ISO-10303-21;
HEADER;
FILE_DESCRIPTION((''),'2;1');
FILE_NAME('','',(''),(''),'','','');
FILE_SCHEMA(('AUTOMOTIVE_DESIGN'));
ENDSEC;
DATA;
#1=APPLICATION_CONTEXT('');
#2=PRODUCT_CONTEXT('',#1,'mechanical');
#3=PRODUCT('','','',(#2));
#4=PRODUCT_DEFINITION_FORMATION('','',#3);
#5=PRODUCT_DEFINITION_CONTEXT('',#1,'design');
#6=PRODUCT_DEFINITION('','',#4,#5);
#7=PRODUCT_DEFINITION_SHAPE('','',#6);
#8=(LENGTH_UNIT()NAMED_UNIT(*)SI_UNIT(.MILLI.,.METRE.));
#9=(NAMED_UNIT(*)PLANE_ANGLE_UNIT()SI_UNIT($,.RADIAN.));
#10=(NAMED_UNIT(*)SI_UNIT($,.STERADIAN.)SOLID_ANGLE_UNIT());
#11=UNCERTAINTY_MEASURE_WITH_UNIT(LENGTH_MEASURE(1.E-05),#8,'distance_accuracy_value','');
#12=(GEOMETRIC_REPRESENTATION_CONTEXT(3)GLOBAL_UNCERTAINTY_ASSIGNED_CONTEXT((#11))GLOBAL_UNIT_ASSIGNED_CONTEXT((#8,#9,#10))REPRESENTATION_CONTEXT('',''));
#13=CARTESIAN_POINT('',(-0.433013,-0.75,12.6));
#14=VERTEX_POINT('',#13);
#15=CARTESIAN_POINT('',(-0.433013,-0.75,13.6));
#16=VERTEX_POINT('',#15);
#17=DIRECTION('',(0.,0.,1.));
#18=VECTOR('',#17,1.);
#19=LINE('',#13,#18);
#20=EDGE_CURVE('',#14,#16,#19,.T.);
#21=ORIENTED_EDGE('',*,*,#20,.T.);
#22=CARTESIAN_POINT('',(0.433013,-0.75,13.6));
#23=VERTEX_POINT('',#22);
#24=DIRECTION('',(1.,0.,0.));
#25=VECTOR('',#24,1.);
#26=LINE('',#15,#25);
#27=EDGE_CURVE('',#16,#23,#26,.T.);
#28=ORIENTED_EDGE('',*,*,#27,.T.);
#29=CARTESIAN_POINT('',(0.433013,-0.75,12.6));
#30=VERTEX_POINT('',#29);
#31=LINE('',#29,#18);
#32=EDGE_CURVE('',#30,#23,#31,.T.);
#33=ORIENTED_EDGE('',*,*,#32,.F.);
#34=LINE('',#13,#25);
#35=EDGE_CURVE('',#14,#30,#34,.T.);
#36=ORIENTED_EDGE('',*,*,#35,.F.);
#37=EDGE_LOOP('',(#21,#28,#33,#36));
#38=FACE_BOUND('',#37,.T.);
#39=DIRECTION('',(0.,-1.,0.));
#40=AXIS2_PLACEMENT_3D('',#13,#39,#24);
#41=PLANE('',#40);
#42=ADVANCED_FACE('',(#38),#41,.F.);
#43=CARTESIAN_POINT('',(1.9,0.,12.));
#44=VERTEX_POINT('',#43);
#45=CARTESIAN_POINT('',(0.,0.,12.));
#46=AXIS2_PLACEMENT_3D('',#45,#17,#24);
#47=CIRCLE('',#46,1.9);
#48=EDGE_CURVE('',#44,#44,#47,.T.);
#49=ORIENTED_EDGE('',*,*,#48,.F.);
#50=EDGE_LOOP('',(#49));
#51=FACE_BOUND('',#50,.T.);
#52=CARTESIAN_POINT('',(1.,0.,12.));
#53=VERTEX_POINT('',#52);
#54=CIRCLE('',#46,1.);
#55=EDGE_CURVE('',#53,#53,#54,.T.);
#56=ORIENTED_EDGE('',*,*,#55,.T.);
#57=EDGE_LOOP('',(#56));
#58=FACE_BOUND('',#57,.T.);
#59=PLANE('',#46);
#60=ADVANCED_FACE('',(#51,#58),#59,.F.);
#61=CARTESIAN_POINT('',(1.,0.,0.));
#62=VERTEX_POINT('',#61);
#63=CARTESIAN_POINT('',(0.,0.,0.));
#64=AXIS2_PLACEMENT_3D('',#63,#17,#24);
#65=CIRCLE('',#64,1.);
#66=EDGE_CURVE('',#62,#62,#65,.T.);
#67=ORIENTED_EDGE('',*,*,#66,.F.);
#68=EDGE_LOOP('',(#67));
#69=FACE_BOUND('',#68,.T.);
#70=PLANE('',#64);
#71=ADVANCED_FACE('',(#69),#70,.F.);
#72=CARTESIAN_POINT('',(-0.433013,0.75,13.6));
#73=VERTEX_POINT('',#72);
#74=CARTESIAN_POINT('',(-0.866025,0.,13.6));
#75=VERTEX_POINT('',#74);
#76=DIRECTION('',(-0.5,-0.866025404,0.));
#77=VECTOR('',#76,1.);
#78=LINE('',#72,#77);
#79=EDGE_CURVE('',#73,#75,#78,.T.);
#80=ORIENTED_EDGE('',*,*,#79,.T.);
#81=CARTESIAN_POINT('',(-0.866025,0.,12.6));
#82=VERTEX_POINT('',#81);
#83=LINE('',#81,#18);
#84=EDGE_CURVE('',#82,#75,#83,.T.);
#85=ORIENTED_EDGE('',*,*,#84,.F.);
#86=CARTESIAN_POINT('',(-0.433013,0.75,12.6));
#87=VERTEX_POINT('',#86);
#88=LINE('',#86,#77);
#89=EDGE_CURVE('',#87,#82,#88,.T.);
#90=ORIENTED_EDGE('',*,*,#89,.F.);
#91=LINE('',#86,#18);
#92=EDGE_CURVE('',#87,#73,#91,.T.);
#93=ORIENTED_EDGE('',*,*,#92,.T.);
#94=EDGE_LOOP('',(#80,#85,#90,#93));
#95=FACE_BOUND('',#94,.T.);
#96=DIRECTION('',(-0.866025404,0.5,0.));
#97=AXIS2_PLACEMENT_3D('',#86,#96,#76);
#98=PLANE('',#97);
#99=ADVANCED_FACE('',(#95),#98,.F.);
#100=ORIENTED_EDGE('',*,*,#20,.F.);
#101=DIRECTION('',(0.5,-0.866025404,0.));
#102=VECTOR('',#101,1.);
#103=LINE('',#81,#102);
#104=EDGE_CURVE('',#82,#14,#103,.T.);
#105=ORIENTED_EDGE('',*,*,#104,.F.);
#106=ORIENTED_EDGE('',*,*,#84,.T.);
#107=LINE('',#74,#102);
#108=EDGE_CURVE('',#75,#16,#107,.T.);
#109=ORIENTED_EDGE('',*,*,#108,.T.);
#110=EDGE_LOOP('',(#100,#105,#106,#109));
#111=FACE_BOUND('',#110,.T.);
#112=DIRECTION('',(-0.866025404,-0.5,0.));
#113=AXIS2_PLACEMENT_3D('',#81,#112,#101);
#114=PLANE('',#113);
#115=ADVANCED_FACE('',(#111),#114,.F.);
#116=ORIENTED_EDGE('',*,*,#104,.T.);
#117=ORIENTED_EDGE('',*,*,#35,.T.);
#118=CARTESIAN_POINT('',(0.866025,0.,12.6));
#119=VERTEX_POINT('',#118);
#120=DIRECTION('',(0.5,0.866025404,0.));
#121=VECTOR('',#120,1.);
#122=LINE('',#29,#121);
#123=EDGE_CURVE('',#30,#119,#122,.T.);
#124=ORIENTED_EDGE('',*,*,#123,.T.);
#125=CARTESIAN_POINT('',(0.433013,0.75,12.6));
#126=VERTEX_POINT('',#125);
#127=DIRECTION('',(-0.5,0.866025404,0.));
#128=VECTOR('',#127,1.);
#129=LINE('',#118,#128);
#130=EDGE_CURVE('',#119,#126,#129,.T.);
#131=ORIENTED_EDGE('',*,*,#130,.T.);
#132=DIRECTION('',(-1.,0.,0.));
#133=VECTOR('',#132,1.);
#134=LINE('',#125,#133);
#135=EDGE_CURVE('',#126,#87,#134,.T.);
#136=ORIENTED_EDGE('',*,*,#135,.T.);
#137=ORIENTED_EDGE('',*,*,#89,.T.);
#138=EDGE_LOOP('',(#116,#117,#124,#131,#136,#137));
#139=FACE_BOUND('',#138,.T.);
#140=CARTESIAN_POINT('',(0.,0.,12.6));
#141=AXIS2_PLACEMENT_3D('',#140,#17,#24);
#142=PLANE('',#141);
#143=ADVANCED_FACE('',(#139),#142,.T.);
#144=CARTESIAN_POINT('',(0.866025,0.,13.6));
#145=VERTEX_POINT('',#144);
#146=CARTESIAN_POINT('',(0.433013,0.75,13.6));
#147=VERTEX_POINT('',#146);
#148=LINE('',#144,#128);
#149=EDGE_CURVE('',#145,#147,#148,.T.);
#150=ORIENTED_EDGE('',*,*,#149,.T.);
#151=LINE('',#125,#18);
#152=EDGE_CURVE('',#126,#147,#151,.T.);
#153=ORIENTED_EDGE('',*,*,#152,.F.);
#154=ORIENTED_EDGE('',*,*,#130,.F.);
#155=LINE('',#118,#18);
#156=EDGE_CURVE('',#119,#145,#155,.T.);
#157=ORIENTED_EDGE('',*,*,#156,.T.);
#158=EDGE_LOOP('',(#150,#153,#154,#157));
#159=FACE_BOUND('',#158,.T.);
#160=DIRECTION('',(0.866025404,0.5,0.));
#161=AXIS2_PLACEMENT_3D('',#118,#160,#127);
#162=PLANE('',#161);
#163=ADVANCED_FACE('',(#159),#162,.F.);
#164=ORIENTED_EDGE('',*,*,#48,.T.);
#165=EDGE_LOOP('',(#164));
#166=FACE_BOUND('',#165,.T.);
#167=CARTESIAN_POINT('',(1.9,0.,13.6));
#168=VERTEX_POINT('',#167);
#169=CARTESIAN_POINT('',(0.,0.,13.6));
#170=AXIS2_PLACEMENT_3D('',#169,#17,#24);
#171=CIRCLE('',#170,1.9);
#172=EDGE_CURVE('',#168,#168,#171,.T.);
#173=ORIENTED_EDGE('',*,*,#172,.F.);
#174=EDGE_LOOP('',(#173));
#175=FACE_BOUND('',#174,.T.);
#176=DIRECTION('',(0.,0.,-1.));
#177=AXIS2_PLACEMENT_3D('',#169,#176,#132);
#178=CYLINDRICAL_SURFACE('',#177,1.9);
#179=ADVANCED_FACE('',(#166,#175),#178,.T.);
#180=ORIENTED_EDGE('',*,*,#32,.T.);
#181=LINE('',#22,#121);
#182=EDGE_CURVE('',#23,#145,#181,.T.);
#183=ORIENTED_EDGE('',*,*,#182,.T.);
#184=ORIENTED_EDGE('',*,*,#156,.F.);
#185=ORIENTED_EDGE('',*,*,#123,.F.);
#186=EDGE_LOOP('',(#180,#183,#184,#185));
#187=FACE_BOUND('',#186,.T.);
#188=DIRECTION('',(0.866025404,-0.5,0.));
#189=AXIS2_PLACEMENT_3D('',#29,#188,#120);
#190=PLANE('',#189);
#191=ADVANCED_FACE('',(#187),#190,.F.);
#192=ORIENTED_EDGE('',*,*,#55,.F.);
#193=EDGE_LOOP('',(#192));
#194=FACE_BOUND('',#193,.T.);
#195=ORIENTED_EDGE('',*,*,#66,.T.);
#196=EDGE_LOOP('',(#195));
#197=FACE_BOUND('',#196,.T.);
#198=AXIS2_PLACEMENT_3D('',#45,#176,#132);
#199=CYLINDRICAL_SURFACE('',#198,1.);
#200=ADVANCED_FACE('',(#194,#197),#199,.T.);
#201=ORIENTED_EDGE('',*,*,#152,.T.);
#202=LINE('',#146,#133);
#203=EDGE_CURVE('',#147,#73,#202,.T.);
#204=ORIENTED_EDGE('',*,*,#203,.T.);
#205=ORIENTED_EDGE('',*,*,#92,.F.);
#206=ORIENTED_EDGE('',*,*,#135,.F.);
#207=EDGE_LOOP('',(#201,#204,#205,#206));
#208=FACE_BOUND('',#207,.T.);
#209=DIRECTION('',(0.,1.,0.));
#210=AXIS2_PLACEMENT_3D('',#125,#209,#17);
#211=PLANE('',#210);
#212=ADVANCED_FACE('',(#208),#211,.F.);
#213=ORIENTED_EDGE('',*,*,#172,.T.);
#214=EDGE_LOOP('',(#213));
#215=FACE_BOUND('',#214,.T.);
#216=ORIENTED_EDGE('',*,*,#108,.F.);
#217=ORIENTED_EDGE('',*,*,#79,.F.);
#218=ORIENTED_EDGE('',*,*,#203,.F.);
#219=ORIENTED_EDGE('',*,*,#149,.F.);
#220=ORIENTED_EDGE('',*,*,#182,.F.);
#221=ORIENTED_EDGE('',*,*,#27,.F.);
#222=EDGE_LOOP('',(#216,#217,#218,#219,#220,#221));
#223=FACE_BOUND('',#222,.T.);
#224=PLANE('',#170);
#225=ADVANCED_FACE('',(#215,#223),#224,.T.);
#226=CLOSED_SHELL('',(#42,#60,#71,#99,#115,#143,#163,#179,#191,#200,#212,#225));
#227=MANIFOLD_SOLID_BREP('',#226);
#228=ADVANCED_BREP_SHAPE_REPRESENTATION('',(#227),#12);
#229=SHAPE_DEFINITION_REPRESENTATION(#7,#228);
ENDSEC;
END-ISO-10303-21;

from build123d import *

# Parameters (mm, degrees)
ESQUISSE1_R             = 1
BOSS_EXTRU_1_DEPTH      = 12
ESQUISSE2_R             = 1.9
BOSS_EXTRU_2_DEPTH      = 1.6
ENL_V_MAT_EXTRU_1_DEPTH = 1


with BuildPart() as part:
    # Esquisse1 → Boss.-Extru.1 (new body)
    with BuildSketch(Plane.XY):
        Circle(ESQUISSE1_R)
    extrude(amount=BOSS_EXTRU_1_DEPTH)

    # Esquisse2 → Boss.-Extru.2 (add)
    with BuildSketch(Plane.XY.offset(12)):
        Circle(ESQUISSE2_R)
    extrude(amount=BOSS_EXTRU_2_DEPTH)

    # Esquisse3 → Enlèv. mat.-Extru.1 (cut)
    with BuildSketch(Plane.XY.offset(13.6)):
        Polygon((0.866025404, 0), (0.433012702, 0.75), (-0.433012702, 0.75), (-0.866025404, 0), (-0.433012702, -0.75), (0.433012702, -0.75), align=None)
    extrude(amount=-ENL_V_MAT_EXTRU_1_DEPTH, mode=Mode.SUBTRACT)


solid = part.part
